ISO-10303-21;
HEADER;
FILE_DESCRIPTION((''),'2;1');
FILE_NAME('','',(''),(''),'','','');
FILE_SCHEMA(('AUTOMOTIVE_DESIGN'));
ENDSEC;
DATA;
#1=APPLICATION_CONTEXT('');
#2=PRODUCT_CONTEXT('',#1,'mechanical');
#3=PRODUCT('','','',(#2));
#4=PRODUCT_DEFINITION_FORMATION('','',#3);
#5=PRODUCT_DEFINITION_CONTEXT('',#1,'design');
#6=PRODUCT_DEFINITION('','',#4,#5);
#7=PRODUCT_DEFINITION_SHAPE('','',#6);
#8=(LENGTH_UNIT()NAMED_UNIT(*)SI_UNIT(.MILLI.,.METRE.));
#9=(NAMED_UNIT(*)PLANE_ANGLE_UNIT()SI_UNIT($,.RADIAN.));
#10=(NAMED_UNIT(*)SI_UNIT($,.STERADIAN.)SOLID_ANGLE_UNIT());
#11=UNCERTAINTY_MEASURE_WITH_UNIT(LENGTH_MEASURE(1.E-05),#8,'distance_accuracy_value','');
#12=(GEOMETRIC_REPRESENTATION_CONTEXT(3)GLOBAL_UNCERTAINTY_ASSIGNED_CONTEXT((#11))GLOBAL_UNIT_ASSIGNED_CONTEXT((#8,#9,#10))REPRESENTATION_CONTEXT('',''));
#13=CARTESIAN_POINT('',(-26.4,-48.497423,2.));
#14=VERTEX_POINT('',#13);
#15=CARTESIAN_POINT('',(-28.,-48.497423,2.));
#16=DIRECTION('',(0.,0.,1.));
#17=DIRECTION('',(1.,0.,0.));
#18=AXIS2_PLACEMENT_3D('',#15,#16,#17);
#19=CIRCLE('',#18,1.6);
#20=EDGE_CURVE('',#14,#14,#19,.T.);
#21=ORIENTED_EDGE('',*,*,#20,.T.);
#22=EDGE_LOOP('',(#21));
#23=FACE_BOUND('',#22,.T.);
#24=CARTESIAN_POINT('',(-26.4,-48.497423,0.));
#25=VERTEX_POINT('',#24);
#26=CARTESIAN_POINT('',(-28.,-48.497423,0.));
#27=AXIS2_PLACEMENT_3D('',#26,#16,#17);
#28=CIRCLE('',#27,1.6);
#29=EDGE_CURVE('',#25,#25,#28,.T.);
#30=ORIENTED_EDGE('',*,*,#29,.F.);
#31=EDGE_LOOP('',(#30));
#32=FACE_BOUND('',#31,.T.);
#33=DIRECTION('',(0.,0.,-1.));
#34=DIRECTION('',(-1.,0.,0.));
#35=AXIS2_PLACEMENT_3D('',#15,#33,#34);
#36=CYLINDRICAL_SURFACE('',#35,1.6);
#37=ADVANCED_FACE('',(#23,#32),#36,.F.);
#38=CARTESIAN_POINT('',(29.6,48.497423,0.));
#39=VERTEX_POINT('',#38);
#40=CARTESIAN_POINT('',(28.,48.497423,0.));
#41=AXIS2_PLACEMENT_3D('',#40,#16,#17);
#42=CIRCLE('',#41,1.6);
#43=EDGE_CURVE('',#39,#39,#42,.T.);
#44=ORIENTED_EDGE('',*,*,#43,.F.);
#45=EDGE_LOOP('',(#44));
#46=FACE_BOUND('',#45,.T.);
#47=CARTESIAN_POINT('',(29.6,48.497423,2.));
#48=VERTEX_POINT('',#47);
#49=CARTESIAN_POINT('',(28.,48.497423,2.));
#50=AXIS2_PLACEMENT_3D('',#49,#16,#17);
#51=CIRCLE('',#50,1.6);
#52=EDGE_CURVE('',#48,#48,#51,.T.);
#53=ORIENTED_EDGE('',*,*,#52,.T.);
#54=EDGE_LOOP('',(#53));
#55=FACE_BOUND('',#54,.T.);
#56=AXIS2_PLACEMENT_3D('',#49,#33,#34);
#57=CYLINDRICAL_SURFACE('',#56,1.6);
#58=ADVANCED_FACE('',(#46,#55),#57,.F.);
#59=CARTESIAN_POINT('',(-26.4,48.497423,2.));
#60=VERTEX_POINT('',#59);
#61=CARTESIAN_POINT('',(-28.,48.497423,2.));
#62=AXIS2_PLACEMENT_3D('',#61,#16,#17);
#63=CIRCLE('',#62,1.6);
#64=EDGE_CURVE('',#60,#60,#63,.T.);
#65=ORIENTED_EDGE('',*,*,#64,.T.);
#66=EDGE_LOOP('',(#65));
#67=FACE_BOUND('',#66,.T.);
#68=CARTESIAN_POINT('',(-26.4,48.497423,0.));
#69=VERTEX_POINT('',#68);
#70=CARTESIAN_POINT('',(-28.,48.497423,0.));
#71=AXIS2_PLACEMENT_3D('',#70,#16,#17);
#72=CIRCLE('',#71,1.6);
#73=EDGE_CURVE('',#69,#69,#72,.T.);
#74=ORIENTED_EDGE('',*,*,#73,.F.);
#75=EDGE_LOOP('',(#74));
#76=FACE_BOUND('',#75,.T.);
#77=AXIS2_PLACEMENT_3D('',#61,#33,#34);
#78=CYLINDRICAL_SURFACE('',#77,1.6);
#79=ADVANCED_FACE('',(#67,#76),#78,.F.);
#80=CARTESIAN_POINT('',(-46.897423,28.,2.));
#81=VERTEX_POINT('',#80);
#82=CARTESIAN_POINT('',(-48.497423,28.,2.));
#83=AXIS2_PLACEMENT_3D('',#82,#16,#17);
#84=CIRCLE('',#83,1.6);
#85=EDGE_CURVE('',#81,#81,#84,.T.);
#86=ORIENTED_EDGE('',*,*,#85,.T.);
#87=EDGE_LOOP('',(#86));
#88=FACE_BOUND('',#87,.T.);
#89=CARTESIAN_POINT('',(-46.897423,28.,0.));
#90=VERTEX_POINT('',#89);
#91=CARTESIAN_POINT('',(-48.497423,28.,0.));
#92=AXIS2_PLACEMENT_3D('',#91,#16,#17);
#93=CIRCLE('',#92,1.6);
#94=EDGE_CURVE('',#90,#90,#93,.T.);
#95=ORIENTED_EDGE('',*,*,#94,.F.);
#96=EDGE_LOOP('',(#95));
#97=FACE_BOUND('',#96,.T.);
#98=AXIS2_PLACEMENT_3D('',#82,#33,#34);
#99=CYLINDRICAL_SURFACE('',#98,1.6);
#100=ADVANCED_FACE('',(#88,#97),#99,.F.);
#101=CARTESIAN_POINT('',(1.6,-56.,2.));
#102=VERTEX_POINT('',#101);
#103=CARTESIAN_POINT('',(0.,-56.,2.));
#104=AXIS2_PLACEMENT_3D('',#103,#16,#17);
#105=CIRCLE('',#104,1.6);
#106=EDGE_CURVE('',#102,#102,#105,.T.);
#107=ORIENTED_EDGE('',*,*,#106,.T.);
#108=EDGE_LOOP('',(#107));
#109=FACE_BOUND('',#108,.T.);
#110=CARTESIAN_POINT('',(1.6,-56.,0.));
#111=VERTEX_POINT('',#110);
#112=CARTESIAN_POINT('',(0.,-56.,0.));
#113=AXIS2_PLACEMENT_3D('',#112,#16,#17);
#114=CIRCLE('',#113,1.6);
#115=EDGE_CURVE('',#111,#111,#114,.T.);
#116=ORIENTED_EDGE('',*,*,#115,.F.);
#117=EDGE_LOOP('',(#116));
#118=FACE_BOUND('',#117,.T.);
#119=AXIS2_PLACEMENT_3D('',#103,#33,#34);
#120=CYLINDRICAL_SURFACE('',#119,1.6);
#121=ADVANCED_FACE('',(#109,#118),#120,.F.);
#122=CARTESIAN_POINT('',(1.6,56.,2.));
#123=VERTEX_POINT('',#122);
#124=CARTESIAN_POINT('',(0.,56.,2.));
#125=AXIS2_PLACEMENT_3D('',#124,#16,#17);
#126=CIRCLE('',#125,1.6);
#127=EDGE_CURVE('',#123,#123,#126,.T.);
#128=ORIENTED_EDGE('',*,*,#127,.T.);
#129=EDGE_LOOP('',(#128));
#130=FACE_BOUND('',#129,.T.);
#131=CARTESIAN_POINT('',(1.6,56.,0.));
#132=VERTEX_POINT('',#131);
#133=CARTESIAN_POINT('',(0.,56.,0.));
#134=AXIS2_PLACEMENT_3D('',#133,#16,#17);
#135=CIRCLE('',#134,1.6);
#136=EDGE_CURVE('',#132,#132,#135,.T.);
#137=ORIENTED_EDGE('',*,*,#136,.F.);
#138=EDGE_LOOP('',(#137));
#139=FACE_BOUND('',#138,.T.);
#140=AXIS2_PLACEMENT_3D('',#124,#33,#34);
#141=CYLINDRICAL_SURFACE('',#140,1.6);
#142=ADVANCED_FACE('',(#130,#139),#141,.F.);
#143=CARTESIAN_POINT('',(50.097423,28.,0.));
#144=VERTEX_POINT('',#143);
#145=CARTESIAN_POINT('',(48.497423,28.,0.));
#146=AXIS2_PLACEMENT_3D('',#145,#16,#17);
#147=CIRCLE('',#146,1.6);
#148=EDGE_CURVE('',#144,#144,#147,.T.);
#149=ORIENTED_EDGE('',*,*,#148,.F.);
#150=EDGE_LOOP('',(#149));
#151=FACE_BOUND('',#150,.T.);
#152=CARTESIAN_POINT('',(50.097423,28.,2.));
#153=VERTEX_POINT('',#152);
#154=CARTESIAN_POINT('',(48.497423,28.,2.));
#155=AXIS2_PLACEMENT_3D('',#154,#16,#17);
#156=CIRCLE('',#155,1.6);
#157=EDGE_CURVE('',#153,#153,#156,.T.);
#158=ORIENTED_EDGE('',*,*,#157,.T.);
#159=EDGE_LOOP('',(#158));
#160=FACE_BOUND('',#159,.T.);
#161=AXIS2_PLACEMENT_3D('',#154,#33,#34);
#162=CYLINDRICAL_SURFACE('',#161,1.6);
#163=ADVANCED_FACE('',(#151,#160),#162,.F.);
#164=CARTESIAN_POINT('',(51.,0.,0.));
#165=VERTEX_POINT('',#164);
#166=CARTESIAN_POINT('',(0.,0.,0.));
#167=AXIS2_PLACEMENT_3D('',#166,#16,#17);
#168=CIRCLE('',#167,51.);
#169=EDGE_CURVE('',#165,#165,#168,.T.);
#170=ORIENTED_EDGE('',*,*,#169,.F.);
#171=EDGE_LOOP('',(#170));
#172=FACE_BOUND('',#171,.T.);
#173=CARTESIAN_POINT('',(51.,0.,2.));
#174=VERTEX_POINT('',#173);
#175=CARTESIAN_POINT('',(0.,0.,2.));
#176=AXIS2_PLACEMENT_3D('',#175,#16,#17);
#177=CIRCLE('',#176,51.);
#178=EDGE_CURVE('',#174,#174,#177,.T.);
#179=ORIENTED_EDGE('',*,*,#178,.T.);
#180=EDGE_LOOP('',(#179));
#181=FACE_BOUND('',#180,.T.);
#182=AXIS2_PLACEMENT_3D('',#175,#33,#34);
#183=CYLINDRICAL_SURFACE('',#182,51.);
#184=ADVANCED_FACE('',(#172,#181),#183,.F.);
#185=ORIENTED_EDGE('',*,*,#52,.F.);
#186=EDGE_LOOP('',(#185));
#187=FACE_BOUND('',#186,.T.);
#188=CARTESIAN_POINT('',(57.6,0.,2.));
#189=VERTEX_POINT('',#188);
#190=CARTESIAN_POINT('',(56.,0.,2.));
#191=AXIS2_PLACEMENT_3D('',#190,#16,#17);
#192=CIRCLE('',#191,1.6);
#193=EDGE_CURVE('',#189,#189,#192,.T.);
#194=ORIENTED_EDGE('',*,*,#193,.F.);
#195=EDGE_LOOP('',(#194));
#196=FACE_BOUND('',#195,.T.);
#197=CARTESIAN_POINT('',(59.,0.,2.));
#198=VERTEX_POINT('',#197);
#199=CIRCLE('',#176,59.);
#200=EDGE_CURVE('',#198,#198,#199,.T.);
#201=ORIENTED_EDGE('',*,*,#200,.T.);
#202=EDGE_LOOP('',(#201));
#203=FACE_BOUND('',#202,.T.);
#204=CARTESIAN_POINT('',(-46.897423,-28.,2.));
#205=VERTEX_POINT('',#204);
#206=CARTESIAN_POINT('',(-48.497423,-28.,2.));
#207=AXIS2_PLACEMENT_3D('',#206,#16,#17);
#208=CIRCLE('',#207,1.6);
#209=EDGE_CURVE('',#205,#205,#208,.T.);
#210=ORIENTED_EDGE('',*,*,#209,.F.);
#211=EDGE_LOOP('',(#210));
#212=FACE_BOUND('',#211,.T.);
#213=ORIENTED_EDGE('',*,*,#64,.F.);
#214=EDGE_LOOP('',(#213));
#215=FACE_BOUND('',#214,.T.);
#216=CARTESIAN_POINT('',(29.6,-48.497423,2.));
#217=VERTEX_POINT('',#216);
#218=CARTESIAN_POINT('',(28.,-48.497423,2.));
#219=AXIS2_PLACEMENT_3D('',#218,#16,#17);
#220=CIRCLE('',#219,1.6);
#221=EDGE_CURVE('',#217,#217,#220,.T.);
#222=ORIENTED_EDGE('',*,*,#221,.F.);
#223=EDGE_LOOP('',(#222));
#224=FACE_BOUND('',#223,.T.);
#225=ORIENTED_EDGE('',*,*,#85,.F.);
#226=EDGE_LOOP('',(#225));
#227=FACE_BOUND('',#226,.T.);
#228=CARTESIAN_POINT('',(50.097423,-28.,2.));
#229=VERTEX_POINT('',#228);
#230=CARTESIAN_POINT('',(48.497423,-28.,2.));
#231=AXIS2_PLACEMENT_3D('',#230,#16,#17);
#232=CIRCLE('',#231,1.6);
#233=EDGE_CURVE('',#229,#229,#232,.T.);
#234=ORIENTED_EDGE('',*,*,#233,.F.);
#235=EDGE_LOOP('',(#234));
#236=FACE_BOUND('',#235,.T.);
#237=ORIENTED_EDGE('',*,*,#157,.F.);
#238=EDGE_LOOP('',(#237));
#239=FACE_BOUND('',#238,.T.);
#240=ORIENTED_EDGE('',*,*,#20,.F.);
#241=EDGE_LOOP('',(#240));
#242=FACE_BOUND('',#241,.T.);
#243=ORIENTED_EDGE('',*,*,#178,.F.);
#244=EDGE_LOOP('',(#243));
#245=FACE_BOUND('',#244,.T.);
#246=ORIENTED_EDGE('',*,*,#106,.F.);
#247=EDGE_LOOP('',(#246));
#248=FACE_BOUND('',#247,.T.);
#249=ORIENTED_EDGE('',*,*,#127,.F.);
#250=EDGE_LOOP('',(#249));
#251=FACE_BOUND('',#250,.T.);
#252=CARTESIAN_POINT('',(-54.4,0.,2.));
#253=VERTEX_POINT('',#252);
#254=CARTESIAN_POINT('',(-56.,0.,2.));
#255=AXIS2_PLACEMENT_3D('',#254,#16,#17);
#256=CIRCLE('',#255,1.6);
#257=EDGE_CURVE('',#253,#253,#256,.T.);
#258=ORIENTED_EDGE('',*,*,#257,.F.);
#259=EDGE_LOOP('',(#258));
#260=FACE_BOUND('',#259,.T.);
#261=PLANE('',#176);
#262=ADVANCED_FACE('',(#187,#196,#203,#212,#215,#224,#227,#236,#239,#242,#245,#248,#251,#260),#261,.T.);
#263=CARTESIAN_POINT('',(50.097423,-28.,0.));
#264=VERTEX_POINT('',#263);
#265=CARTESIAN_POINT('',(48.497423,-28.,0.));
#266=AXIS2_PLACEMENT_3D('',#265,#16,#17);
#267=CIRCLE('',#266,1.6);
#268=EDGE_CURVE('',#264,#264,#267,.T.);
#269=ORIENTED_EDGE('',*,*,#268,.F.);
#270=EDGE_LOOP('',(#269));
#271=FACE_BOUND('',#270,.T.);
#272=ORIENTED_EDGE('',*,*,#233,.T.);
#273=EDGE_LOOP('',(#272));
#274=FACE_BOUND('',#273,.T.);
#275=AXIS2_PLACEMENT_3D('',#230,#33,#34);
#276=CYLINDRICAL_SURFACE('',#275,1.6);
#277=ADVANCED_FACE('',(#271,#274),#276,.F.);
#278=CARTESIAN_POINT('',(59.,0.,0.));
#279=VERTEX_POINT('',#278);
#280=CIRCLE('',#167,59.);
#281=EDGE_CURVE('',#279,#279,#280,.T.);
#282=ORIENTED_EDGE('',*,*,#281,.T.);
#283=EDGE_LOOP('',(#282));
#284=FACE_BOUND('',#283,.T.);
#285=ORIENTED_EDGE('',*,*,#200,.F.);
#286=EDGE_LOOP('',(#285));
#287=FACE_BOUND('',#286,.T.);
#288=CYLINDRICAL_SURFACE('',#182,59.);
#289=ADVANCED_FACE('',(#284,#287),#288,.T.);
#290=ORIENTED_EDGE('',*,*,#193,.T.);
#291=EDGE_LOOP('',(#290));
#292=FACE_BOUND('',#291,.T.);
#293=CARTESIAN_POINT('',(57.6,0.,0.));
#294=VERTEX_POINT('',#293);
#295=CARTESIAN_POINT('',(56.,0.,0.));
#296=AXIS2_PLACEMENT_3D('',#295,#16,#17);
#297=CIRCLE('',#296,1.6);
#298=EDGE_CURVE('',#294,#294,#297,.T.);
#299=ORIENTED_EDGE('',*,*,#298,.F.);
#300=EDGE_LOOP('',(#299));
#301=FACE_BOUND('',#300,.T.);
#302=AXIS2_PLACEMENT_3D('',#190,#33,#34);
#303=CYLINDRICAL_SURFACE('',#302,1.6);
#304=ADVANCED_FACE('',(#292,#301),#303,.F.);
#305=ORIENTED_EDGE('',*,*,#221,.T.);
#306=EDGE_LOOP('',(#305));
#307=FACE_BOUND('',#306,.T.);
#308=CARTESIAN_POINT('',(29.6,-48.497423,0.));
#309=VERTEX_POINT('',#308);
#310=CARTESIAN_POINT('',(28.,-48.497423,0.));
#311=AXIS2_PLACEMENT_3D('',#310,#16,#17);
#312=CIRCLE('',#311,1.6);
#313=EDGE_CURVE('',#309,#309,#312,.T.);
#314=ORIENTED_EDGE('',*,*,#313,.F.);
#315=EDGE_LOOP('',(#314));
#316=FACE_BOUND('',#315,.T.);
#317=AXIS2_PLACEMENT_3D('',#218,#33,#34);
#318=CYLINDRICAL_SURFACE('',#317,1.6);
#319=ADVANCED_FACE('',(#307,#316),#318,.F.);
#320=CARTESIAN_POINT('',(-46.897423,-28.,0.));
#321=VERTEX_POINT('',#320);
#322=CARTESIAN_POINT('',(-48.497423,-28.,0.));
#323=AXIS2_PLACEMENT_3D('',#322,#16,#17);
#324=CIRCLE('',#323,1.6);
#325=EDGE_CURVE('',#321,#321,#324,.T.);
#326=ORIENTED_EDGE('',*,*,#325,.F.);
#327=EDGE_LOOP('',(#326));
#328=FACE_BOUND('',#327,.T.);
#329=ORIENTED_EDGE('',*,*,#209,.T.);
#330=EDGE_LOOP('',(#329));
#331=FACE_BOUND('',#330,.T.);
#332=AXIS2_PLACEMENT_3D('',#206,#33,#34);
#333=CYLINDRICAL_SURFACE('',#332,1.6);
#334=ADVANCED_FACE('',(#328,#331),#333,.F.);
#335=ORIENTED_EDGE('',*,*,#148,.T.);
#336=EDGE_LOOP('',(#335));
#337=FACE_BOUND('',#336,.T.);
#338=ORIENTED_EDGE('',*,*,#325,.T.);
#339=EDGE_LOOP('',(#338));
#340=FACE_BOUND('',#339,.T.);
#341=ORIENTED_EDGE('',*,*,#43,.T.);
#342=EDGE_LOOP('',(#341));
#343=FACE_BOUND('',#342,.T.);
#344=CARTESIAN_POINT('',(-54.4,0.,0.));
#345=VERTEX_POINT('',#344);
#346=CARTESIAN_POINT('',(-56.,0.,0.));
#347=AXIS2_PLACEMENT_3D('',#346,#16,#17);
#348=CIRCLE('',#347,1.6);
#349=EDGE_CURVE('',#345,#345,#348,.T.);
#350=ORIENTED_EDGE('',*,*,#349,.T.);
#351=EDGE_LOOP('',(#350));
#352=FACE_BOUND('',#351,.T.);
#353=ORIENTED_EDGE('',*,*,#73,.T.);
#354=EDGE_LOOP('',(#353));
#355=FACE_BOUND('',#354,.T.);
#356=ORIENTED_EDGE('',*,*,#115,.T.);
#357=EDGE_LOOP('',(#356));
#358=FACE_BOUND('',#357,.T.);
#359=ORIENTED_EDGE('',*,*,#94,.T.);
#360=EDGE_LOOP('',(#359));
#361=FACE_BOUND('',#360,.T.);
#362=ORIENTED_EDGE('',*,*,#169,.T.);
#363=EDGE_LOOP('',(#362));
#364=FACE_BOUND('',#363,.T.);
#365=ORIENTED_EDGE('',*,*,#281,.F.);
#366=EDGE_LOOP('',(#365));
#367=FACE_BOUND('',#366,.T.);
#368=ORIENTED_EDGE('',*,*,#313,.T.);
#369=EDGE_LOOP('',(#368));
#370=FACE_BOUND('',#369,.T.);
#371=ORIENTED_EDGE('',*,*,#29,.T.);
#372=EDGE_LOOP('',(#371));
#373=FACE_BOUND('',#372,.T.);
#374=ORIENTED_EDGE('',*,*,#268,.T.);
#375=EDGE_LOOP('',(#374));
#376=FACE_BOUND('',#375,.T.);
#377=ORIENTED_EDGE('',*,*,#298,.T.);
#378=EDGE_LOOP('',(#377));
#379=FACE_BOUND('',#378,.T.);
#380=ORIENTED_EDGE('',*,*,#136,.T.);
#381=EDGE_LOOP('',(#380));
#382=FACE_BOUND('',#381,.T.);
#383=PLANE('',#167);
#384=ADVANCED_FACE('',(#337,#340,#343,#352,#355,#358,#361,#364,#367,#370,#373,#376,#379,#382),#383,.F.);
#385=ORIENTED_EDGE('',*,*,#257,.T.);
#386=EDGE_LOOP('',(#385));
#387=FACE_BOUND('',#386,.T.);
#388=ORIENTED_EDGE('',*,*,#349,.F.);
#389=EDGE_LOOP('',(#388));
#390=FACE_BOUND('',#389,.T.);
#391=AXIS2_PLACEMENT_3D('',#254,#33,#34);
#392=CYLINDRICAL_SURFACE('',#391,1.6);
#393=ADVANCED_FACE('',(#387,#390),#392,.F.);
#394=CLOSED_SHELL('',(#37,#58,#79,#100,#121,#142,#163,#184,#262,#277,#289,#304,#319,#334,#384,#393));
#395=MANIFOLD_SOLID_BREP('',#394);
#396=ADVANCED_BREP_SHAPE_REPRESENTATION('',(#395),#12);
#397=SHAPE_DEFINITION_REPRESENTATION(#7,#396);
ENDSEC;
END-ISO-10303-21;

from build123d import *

# Parameters (mm, degrees)
SKETCH_1_R      = 59
SKETCH_1_R_2    = 51
SKETCH_1_R_3    = 1.6
EXTRUDE_1_DEPTH = 2


with BuildPart() as part:
    # 草图1 → 凸台-拉伸1 (new body)
    with BuildSketch(Plane.XY):
        Circle(SKETCH_1_R)
        Circle(SKETCH_1_R_2, mode=Mode.SUBTRACT)
        with Locations((0, 56)):
            Circle(SKETCH_1_R_3, mode=Mode.SUBTRACT)
        with Locations((28, 48.497422612)):
            Circle(SKETCH_1_R_3, mode=Mode.SUBTRACT)
        with Locations((48.497422612, 28)):
            Circle(SKETCH_1_R_3, mode=Mode.SUBTRACT)
        with Locations((56, 0)):
            Circle(SKETCH_1_R_3, mode=Mode.SUBTRACT)
        with Locations((48.497422612, -28)):
            Circle(SKETCH_1_R_3, mode=Mode.SUBTRACT)
        with Locations((28, -48.497422612)):
            Circle(SKETCH_1_R_3, mode=Mode.SUBTRACT)
        with Locations((0, -56)):
            Circle(SKETCH_1_R_3, mode=Mode.SUBTRACT)
        with Locations((-28, -48.497422612)):
            Circle(SKETCH_1_R_3, mode=Mode.SUBTRACT)
        with Locations((-48.497422612, -28)):
            Circle(SKETCH_1_R_3, mode=Mode.SUBTRACT)
        with Locations((-56, 0)):
            Circle(SKETCH_1_R_3, mode=Mode.SUBTRACT)
        with Locations((-48.497422612, 28)):
            Circle(SKETCH_1_R_3, mode=Mode.SUBTRACT)
        with Locations((-28, 48.497422612)):
            Circle(SKETCH_1_R_3, mode=Mode.SUBTRACT)
    extrude(amount=EXTRUDE_1_DEPTH)


solid = part.part
